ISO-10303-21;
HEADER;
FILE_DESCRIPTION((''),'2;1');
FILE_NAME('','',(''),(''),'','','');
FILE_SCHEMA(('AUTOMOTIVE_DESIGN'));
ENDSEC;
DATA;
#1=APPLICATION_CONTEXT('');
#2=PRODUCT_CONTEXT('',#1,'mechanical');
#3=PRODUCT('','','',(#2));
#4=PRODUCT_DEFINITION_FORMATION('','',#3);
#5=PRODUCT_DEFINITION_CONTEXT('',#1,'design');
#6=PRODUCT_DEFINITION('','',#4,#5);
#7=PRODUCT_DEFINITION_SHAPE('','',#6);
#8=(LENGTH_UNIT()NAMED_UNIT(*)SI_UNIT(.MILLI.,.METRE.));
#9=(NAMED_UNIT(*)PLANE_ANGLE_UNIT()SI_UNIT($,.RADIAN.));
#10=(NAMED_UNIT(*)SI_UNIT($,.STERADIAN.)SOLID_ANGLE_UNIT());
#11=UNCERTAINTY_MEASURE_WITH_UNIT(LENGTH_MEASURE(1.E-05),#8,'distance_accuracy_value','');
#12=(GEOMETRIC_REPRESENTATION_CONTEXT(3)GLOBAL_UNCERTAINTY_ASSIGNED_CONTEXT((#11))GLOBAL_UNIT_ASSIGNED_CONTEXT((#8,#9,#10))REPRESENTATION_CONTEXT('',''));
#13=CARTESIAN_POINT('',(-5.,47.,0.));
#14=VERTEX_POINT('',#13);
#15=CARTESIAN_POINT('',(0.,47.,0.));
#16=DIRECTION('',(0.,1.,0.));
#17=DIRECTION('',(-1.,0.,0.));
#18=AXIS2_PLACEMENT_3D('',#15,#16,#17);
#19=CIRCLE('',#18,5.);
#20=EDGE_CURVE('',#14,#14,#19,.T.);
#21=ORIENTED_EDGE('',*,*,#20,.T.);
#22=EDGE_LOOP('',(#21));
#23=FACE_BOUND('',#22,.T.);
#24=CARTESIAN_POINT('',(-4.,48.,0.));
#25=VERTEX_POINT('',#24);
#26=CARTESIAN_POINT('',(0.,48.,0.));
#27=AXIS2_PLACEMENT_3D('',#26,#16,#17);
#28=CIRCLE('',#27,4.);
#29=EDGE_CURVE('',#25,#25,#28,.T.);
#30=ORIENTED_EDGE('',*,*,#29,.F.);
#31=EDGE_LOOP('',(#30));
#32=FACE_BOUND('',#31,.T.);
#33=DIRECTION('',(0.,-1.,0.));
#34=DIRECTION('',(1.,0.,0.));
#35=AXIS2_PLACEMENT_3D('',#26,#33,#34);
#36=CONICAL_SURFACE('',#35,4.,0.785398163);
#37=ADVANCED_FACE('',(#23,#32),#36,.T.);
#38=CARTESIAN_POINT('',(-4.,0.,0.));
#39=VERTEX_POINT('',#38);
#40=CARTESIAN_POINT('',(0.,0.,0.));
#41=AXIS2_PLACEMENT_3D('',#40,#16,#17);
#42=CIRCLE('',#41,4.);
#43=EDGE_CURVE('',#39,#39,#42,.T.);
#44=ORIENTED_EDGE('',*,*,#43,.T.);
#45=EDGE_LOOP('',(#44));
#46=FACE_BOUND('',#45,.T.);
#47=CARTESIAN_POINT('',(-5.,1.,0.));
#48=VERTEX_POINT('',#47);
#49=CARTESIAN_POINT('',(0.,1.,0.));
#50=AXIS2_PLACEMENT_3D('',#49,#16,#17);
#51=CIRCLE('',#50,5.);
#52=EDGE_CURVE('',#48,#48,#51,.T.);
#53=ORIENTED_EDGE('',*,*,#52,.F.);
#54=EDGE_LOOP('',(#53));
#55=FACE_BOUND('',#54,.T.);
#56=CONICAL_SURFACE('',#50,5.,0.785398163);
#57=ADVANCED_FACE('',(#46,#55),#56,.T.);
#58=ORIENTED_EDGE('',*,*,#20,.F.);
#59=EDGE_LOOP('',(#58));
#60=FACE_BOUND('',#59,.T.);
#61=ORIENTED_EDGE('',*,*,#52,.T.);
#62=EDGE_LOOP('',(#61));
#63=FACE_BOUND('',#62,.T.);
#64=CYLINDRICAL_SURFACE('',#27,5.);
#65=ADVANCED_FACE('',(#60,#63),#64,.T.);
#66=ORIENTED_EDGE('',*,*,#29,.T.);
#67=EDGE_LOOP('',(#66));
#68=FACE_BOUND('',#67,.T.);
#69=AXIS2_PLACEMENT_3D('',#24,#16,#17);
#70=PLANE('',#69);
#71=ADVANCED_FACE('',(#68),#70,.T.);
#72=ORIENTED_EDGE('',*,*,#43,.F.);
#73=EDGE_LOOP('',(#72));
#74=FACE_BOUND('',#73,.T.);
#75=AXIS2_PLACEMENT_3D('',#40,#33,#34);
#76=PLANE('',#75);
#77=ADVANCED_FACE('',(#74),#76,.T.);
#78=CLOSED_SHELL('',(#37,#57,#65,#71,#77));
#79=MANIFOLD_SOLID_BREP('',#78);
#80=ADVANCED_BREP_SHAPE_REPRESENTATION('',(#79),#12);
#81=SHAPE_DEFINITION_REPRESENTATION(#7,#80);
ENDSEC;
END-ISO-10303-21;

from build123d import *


with BuildPart() as part:
    # Esquisse1 → Révolution1 (revolve)
    with BuildSketch(Plane.XY):
        Polygon((0, 0), (-4, 0), (-5, 1), (-5, 47), (-4, 48), (0, 48), align=None)
    revolve(axis=Axis((0, 48, 0), (0, -1, 0)))


solid = part.part
